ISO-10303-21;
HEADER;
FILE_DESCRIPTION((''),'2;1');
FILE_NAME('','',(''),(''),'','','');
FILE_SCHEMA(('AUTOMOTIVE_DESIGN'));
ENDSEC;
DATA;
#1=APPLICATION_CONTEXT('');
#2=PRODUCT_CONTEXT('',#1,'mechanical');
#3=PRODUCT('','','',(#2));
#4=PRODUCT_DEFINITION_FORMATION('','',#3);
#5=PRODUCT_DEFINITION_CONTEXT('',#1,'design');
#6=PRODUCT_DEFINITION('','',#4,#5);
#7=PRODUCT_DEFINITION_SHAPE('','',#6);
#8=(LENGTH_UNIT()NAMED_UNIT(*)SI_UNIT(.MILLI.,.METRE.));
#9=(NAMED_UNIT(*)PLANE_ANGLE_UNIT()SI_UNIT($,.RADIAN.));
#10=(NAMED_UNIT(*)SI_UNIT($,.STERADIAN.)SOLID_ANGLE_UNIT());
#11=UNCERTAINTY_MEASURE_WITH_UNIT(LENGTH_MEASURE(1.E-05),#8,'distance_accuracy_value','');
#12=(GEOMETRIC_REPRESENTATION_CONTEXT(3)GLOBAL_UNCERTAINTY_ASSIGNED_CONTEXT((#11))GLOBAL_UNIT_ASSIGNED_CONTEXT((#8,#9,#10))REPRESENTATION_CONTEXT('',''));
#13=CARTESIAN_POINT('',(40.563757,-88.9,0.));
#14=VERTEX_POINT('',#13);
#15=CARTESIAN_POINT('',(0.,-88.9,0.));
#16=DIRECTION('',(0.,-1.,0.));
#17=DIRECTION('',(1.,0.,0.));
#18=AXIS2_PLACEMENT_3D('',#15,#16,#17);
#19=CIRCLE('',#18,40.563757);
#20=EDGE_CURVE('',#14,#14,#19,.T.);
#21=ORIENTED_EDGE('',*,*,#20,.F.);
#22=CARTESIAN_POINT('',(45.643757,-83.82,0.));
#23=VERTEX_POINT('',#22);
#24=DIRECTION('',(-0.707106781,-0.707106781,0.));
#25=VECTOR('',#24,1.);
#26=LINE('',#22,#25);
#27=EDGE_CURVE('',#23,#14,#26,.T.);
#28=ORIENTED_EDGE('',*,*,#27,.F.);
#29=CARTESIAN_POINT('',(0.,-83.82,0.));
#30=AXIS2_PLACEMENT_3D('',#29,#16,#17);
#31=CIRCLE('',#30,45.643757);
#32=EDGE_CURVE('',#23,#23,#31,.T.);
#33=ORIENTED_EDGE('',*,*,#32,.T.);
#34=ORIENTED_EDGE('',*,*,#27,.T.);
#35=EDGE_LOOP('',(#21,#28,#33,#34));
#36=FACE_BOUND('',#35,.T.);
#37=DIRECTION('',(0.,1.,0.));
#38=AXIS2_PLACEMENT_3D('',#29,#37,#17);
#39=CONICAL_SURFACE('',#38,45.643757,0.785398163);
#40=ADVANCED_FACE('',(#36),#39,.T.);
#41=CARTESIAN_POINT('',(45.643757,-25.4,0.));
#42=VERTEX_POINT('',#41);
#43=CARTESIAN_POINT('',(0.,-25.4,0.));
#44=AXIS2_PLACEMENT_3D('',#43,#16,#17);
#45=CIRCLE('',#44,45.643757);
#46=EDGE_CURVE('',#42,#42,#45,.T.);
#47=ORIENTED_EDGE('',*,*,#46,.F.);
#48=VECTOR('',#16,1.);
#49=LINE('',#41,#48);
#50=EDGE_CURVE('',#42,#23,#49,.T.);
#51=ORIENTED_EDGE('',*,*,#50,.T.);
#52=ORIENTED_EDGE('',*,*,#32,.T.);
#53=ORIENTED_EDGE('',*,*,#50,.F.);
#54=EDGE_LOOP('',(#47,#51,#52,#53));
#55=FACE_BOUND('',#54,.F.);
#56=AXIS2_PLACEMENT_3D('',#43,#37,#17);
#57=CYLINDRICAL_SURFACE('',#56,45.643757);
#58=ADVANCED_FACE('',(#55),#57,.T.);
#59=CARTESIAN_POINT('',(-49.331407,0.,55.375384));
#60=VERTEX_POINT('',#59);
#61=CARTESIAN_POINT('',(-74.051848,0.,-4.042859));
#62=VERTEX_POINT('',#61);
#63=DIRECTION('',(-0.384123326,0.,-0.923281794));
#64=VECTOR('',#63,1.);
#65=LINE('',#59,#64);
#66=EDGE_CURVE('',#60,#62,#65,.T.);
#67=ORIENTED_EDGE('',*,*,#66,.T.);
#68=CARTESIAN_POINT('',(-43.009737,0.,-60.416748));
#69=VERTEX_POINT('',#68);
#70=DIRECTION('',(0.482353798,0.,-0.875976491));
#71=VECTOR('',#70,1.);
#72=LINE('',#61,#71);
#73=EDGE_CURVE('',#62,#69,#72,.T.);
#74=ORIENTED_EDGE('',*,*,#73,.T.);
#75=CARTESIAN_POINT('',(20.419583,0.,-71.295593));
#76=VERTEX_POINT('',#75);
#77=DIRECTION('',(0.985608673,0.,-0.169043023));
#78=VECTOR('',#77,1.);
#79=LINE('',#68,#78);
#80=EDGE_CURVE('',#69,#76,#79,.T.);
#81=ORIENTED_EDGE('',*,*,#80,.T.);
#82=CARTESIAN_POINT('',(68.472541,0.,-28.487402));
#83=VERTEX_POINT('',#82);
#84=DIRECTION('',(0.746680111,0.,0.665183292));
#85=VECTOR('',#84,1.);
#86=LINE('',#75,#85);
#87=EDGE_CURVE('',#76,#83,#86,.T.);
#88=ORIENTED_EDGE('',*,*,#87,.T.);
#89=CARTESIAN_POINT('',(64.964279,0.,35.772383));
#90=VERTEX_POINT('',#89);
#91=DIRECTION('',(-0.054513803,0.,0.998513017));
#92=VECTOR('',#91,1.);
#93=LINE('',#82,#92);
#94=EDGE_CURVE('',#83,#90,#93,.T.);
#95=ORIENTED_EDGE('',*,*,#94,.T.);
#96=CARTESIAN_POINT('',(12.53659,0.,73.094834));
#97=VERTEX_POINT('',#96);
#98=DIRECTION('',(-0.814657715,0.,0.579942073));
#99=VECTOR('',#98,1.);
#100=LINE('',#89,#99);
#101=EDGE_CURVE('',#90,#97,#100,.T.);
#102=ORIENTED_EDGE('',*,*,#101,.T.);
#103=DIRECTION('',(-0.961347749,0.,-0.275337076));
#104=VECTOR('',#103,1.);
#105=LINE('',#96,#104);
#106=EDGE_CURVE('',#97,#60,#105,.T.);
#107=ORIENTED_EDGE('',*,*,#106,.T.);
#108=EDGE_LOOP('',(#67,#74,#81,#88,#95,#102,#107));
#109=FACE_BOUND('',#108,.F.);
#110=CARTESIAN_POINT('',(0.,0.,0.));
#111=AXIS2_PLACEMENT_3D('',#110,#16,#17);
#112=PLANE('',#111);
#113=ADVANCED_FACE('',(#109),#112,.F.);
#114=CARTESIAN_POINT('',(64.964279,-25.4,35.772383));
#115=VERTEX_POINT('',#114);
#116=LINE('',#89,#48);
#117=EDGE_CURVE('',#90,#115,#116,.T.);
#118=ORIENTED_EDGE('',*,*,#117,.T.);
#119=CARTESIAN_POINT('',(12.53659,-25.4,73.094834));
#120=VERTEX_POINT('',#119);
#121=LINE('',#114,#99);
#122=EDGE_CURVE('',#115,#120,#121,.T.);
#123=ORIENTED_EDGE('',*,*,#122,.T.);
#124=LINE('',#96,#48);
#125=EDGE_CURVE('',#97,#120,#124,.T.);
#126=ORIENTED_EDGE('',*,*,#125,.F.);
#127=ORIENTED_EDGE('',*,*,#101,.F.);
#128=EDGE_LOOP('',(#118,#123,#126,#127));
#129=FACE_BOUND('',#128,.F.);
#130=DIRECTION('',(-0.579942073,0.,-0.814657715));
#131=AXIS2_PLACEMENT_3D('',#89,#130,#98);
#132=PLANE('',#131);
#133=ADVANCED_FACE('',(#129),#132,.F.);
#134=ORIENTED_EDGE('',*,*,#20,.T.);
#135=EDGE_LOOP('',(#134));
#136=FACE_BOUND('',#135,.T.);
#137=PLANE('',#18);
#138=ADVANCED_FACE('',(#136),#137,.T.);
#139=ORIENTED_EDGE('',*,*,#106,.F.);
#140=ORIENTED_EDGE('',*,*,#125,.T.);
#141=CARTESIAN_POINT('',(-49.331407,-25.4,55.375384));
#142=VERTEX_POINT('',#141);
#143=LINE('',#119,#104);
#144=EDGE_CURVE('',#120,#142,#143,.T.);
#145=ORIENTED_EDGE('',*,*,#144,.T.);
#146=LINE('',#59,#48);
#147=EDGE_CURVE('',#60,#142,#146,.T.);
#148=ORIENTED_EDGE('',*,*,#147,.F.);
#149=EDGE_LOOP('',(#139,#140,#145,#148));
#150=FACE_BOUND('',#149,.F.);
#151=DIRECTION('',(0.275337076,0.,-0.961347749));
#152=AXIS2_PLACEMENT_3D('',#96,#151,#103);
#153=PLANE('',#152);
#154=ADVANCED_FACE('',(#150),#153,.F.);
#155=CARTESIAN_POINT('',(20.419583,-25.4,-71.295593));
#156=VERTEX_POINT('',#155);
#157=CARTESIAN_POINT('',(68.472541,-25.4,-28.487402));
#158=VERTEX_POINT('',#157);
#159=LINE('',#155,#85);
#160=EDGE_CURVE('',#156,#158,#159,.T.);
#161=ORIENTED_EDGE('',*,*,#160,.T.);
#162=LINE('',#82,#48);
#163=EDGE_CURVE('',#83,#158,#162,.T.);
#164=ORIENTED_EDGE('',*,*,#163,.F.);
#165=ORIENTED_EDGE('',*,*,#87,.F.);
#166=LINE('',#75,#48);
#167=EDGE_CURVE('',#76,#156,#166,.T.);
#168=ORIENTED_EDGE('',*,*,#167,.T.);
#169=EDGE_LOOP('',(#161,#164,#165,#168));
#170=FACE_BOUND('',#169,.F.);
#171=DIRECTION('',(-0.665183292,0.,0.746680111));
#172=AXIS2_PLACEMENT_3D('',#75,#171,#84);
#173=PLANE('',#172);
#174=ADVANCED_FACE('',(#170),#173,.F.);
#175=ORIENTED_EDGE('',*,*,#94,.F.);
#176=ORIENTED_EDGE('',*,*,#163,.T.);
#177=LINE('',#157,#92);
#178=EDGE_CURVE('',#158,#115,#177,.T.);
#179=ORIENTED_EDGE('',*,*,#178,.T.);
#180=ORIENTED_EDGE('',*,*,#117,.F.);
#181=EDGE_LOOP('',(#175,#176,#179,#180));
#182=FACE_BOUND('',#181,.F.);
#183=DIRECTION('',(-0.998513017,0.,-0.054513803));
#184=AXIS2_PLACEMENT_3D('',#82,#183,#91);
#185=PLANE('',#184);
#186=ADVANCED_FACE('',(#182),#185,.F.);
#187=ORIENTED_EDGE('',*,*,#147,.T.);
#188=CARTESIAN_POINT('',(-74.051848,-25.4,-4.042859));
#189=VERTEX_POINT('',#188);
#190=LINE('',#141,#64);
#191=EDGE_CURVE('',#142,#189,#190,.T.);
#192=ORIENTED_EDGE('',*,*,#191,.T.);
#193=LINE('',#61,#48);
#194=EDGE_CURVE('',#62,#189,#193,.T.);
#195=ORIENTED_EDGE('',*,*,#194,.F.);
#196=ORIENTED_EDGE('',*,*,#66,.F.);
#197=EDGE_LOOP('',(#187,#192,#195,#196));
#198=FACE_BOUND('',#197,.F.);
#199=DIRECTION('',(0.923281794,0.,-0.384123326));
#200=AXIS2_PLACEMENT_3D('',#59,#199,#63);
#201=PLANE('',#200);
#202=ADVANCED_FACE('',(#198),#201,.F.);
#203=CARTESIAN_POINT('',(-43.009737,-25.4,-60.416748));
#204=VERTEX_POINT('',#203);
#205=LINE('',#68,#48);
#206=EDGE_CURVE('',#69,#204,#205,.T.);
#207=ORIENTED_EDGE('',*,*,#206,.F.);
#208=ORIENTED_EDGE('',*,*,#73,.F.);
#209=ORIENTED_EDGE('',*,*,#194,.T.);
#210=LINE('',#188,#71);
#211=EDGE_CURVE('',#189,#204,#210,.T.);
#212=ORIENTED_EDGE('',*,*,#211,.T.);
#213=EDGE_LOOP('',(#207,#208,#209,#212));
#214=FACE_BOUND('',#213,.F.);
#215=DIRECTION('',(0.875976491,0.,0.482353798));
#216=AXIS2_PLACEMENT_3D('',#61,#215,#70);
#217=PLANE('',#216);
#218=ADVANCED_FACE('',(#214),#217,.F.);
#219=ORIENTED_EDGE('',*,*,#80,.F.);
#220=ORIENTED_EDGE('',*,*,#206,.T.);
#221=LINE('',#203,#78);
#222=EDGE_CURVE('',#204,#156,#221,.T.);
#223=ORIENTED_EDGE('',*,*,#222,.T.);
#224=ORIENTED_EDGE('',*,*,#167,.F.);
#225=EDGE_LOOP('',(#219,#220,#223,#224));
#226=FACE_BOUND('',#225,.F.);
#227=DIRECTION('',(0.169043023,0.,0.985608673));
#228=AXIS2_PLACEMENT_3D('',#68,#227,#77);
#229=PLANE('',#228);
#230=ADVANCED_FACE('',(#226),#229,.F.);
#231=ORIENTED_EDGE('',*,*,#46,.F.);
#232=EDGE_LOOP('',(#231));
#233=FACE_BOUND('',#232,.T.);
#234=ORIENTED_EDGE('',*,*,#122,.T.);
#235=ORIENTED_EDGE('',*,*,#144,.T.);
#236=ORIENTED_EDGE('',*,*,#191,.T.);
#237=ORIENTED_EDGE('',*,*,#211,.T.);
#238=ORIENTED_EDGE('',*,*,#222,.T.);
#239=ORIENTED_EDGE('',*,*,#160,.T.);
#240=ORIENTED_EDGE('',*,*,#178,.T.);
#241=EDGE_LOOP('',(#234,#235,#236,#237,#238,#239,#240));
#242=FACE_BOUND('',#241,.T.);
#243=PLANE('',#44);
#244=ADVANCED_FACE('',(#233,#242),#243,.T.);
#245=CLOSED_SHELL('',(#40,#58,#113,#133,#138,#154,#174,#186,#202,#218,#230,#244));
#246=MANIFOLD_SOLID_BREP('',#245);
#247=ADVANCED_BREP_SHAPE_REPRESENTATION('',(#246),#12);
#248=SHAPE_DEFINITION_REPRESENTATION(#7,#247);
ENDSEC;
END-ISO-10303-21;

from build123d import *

# Parameters (mm, degrees)
F1_DEPTH = 25.4
F2_R     = 45.643757
F3_DEPTH = 63.5
F4_SIZE  = 5.08


with BuildPart() as f1:
    # F0 (on Front) → F1 (new body)
    with BuildSketch(Plane.XZ):
        Polygon((-74.051848, -4.042859), (-43.009737, -60.416748), (20.419583, -71.295593), (68.472541, -28.487402), (64.964279, 35.772383), (12.53659, 73.094834), (-49.331407, 55.375384), align=None)
    extrude(amount=F1_DEPTH)

    # F2 (on face) → F3 (join)
    with BuildSketch(Plane.XZ.offset(25.4)):
        Circle(F2_R)
    extrude(amount=F3_DEPTH)

    # F4
    f4_edges = [f1.edges().sort_by_distance(p)[0] for p in [
        (-45.643757, -88.9, 0),
    ]]
    chamfer(f4_edges, length=F4_SIZE)


solid = f1.part
